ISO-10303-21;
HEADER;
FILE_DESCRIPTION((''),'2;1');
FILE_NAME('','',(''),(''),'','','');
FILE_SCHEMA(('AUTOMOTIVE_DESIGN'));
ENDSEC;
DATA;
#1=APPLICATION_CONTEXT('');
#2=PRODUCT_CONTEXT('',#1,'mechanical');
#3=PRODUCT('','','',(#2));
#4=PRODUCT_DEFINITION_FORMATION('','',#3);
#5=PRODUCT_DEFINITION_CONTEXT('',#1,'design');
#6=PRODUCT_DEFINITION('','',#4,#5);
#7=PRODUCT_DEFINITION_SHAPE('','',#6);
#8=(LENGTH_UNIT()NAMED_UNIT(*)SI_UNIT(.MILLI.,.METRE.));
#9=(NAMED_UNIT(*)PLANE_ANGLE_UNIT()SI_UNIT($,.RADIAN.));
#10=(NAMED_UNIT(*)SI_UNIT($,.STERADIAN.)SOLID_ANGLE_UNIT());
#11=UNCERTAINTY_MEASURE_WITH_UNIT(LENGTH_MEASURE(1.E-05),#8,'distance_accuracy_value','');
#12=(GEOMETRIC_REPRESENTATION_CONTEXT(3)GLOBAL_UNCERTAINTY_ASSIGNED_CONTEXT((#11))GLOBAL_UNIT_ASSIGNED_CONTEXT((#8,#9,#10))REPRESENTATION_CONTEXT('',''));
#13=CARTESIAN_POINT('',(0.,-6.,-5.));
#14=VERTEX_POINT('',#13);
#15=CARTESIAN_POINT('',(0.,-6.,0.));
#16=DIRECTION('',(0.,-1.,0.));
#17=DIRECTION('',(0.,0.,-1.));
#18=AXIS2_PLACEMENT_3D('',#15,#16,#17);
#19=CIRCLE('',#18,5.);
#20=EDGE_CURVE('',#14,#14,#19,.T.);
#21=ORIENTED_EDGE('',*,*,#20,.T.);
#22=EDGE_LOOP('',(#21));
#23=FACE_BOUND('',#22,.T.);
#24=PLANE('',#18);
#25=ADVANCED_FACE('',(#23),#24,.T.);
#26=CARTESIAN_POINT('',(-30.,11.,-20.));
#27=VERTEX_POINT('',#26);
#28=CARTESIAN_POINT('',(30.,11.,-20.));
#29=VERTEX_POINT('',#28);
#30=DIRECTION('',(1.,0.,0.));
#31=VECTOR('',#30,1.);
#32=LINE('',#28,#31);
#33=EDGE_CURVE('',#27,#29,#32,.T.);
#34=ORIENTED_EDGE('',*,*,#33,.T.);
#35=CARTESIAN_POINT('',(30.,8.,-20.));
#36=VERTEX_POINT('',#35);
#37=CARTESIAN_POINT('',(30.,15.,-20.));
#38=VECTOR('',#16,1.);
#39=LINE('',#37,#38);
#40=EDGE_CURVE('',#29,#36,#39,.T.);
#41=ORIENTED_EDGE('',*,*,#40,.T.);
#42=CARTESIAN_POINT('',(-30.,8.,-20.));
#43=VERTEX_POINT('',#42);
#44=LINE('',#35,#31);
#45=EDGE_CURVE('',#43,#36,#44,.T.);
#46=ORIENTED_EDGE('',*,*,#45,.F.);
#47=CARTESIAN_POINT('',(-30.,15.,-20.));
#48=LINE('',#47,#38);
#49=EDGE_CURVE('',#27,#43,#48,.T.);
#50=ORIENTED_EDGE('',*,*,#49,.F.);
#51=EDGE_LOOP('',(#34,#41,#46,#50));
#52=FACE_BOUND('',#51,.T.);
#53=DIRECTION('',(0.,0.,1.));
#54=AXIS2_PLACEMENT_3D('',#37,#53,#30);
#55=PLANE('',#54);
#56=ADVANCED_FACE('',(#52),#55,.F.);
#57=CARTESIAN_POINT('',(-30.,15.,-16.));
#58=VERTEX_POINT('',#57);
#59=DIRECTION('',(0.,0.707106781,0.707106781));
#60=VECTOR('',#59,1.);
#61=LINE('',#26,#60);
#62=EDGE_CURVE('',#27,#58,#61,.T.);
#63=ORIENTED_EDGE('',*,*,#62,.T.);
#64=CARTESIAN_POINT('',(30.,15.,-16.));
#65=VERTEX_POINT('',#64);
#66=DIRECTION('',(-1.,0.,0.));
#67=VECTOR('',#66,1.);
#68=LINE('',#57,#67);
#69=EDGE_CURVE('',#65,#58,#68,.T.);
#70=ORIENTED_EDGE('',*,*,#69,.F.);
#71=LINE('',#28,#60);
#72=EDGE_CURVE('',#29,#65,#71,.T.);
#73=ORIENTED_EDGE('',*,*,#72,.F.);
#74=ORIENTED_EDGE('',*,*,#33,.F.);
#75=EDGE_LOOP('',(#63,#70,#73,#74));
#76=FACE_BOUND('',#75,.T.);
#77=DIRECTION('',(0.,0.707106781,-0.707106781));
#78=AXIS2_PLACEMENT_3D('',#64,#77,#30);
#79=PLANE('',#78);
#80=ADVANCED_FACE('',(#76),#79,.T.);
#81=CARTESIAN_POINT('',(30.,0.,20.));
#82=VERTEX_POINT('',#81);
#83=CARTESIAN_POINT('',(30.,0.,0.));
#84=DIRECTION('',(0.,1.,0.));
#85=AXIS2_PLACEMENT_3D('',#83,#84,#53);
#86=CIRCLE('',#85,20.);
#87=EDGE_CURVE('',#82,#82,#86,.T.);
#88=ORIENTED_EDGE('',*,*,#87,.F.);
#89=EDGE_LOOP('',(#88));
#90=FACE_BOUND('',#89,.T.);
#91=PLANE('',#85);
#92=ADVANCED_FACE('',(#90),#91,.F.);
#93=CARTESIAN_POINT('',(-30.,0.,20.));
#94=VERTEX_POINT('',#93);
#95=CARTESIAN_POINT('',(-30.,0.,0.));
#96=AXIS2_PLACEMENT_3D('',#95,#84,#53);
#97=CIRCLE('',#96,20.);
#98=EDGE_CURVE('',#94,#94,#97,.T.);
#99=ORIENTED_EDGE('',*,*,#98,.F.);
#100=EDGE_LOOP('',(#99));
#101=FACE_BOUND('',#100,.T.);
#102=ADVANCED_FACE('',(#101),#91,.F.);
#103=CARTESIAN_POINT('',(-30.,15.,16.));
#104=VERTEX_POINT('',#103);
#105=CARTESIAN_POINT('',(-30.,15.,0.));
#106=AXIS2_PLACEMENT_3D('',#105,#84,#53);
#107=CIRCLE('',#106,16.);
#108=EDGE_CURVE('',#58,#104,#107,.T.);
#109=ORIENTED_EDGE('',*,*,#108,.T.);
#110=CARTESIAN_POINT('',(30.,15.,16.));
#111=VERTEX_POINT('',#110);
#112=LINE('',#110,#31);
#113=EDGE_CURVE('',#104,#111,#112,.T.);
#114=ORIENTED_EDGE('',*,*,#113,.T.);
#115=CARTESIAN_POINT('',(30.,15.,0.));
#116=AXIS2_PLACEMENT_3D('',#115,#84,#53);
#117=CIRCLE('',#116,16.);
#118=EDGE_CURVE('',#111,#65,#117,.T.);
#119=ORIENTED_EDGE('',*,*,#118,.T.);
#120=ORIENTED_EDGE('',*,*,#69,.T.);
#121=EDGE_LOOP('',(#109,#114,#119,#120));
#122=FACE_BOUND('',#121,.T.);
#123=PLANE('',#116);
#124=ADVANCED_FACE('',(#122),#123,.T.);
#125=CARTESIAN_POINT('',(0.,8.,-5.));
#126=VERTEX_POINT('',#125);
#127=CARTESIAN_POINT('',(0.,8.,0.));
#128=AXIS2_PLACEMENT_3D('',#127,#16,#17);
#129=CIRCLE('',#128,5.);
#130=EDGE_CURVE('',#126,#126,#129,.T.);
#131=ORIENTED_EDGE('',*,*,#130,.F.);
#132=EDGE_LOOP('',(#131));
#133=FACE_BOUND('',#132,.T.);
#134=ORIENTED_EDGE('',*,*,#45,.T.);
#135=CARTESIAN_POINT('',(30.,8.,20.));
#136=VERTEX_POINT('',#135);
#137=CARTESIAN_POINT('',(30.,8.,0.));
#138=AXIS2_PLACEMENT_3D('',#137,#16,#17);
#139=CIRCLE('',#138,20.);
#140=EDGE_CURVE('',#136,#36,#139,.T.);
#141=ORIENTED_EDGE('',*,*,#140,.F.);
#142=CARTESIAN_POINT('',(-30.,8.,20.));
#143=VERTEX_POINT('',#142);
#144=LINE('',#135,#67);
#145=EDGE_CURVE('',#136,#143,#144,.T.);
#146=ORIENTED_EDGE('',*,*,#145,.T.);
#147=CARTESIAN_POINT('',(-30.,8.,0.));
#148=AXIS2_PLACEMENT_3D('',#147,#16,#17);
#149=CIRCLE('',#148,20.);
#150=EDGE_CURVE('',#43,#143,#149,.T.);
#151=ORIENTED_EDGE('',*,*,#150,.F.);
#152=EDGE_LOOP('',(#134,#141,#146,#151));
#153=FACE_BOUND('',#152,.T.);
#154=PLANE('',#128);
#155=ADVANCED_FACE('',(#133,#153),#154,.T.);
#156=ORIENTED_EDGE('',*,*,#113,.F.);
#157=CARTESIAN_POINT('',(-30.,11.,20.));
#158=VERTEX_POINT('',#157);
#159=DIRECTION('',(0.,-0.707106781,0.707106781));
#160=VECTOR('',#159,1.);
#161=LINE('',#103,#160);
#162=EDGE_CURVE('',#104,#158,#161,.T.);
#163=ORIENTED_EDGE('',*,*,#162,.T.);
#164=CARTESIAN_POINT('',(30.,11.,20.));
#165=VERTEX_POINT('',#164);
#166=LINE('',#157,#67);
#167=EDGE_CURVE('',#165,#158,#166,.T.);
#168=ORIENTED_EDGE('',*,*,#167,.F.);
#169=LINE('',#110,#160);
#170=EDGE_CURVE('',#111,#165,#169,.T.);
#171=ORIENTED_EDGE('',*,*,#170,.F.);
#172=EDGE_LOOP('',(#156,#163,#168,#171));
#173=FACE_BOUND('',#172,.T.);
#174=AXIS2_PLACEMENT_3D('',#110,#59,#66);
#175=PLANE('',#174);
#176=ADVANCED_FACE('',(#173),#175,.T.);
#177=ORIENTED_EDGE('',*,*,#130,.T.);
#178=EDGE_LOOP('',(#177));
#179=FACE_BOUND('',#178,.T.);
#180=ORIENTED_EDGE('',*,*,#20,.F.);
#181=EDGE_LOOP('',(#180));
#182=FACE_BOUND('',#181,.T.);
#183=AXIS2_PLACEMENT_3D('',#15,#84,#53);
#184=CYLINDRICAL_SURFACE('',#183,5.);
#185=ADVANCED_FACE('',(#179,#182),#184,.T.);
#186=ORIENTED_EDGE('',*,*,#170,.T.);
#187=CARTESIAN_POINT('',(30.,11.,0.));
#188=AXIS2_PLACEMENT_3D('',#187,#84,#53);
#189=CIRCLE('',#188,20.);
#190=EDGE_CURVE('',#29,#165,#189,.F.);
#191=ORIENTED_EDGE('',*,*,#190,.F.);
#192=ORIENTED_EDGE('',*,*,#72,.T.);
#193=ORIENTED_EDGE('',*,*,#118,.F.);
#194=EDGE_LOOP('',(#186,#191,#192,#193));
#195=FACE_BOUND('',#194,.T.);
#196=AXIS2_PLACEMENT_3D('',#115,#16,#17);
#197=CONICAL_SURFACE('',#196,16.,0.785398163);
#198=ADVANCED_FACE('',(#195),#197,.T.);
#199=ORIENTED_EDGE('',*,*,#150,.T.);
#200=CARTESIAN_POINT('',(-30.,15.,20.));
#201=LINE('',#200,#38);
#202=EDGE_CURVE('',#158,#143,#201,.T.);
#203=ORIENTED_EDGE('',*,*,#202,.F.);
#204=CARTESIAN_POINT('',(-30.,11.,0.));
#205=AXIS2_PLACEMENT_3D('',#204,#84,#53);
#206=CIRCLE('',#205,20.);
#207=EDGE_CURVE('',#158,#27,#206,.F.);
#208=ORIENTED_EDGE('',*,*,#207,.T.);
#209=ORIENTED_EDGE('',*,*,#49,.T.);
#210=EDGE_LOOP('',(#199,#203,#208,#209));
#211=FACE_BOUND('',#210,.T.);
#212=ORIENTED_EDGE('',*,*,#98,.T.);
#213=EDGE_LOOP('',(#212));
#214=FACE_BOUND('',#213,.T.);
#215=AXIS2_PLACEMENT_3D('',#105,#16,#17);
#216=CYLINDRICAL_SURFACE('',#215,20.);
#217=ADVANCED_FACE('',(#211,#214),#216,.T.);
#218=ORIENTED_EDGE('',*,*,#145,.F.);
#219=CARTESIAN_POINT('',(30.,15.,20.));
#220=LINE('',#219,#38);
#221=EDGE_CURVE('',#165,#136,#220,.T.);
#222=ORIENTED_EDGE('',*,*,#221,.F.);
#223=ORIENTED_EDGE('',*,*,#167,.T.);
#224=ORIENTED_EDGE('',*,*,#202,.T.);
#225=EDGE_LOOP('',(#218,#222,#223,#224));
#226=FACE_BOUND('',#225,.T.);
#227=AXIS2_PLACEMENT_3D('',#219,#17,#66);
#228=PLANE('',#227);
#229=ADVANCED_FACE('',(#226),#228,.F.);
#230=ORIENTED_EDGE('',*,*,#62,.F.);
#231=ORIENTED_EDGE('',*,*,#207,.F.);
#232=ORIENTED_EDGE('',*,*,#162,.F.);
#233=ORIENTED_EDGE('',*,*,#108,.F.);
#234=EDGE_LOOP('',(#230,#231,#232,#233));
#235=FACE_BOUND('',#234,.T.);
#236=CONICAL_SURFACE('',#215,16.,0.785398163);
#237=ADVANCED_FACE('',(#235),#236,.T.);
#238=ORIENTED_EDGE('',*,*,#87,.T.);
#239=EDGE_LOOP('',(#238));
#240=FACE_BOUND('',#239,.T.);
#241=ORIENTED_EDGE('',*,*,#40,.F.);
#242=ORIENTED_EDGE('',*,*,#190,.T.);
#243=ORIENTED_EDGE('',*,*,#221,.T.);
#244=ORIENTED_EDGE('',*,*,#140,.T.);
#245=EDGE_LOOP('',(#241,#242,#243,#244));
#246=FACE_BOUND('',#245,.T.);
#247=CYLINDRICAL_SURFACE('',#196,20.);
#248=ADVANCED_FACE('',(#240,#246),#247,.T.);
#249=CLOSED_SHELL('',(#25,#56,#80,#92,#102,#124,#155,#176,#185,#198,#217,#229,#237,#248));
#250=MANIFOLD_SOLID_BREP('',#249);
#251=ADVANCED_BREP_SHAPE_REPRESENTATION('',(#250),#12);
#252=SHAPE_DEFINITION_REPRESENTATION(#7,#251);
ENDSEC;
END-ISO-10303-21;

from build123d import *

# Parameters (mm, degrees)
EXTRUDE_1_DEPTH     = 15
CHAMFER_1_SIZE      = 4
SKETCH_3_OUTSIDE_W  = 123.748
SKETCH_3_OUTSIDE_H  = 63.748
SKETCH_3_OUTSIDE_R  = 20
CUT_EXTRUDE_1_DEPTH = 8
SKETCH_4_R          = 5
EXTRUDE_2_DEPTH     = 14


with BuildPart() as part:
    # 草图1 → 凸台-拉伸1 (new body)
    with BuildSketch(Plane(origin=(0, 0, 0), x_dir=(1, 0, 0), z_dir=(0, 1, 0))):
        with BuildLine():
            Line((30, -20), (-30, -20))
            ThreePointArc((-30, -20), (-50, 0), (-30, 20))
            Line((-30, 20), (30, 20))
            ThreePointArc((30, 20), (50, 0), (30, -20))
        make_face()
    extrude(amount=EXTRUDE_1_DEPTH)

    # 倒角1
    chamfer_1_edges = [part.edges().sort_by_distance(p)[0] for p in [
        (-50, 15, 0),
        (0, 15, 20),
        (50, 15, 0),
        (0, 15, -20),
    ]]
    chamfer(chamfer_1_edges, length=CHAMFER_1_SIZE)

    # 草图3 outside → 切除-拉伸1 (cut)
    with BuildSketch(Plane.XZ):
        Rectangle(SKETCH_3_OUTSIDE_W, SKETCH_3_OUTSIDE_H)
        with Locations(Location((-30, 0, 0), (0, 0, 90))):
            Circle(SKETCH_3_OUTSIDE_R, mode=Mode.SUBTRACT)
        with Locations(Location((30, 0, 0), (0, 0, 90))):
            Circle(SKETCH_3_OUTSIDE_R, mode=Mode.SUBTRACT)
    extrude(amount=-CUT_EXTRUDE_1_DEPTH, mode=Mode.SUBTRACT)

    # 草图4 → 凸台-拉伸2 (add)
    with BuildSketch(Plane.XZ.offset(-8)):
        with Locations(Location((0, 0, 0), (0, 0, 270))):
            Circle(SKETCH_4_R)
    extrude(amount=EXTRUDE_2_DEPTH)


solid = part.part
